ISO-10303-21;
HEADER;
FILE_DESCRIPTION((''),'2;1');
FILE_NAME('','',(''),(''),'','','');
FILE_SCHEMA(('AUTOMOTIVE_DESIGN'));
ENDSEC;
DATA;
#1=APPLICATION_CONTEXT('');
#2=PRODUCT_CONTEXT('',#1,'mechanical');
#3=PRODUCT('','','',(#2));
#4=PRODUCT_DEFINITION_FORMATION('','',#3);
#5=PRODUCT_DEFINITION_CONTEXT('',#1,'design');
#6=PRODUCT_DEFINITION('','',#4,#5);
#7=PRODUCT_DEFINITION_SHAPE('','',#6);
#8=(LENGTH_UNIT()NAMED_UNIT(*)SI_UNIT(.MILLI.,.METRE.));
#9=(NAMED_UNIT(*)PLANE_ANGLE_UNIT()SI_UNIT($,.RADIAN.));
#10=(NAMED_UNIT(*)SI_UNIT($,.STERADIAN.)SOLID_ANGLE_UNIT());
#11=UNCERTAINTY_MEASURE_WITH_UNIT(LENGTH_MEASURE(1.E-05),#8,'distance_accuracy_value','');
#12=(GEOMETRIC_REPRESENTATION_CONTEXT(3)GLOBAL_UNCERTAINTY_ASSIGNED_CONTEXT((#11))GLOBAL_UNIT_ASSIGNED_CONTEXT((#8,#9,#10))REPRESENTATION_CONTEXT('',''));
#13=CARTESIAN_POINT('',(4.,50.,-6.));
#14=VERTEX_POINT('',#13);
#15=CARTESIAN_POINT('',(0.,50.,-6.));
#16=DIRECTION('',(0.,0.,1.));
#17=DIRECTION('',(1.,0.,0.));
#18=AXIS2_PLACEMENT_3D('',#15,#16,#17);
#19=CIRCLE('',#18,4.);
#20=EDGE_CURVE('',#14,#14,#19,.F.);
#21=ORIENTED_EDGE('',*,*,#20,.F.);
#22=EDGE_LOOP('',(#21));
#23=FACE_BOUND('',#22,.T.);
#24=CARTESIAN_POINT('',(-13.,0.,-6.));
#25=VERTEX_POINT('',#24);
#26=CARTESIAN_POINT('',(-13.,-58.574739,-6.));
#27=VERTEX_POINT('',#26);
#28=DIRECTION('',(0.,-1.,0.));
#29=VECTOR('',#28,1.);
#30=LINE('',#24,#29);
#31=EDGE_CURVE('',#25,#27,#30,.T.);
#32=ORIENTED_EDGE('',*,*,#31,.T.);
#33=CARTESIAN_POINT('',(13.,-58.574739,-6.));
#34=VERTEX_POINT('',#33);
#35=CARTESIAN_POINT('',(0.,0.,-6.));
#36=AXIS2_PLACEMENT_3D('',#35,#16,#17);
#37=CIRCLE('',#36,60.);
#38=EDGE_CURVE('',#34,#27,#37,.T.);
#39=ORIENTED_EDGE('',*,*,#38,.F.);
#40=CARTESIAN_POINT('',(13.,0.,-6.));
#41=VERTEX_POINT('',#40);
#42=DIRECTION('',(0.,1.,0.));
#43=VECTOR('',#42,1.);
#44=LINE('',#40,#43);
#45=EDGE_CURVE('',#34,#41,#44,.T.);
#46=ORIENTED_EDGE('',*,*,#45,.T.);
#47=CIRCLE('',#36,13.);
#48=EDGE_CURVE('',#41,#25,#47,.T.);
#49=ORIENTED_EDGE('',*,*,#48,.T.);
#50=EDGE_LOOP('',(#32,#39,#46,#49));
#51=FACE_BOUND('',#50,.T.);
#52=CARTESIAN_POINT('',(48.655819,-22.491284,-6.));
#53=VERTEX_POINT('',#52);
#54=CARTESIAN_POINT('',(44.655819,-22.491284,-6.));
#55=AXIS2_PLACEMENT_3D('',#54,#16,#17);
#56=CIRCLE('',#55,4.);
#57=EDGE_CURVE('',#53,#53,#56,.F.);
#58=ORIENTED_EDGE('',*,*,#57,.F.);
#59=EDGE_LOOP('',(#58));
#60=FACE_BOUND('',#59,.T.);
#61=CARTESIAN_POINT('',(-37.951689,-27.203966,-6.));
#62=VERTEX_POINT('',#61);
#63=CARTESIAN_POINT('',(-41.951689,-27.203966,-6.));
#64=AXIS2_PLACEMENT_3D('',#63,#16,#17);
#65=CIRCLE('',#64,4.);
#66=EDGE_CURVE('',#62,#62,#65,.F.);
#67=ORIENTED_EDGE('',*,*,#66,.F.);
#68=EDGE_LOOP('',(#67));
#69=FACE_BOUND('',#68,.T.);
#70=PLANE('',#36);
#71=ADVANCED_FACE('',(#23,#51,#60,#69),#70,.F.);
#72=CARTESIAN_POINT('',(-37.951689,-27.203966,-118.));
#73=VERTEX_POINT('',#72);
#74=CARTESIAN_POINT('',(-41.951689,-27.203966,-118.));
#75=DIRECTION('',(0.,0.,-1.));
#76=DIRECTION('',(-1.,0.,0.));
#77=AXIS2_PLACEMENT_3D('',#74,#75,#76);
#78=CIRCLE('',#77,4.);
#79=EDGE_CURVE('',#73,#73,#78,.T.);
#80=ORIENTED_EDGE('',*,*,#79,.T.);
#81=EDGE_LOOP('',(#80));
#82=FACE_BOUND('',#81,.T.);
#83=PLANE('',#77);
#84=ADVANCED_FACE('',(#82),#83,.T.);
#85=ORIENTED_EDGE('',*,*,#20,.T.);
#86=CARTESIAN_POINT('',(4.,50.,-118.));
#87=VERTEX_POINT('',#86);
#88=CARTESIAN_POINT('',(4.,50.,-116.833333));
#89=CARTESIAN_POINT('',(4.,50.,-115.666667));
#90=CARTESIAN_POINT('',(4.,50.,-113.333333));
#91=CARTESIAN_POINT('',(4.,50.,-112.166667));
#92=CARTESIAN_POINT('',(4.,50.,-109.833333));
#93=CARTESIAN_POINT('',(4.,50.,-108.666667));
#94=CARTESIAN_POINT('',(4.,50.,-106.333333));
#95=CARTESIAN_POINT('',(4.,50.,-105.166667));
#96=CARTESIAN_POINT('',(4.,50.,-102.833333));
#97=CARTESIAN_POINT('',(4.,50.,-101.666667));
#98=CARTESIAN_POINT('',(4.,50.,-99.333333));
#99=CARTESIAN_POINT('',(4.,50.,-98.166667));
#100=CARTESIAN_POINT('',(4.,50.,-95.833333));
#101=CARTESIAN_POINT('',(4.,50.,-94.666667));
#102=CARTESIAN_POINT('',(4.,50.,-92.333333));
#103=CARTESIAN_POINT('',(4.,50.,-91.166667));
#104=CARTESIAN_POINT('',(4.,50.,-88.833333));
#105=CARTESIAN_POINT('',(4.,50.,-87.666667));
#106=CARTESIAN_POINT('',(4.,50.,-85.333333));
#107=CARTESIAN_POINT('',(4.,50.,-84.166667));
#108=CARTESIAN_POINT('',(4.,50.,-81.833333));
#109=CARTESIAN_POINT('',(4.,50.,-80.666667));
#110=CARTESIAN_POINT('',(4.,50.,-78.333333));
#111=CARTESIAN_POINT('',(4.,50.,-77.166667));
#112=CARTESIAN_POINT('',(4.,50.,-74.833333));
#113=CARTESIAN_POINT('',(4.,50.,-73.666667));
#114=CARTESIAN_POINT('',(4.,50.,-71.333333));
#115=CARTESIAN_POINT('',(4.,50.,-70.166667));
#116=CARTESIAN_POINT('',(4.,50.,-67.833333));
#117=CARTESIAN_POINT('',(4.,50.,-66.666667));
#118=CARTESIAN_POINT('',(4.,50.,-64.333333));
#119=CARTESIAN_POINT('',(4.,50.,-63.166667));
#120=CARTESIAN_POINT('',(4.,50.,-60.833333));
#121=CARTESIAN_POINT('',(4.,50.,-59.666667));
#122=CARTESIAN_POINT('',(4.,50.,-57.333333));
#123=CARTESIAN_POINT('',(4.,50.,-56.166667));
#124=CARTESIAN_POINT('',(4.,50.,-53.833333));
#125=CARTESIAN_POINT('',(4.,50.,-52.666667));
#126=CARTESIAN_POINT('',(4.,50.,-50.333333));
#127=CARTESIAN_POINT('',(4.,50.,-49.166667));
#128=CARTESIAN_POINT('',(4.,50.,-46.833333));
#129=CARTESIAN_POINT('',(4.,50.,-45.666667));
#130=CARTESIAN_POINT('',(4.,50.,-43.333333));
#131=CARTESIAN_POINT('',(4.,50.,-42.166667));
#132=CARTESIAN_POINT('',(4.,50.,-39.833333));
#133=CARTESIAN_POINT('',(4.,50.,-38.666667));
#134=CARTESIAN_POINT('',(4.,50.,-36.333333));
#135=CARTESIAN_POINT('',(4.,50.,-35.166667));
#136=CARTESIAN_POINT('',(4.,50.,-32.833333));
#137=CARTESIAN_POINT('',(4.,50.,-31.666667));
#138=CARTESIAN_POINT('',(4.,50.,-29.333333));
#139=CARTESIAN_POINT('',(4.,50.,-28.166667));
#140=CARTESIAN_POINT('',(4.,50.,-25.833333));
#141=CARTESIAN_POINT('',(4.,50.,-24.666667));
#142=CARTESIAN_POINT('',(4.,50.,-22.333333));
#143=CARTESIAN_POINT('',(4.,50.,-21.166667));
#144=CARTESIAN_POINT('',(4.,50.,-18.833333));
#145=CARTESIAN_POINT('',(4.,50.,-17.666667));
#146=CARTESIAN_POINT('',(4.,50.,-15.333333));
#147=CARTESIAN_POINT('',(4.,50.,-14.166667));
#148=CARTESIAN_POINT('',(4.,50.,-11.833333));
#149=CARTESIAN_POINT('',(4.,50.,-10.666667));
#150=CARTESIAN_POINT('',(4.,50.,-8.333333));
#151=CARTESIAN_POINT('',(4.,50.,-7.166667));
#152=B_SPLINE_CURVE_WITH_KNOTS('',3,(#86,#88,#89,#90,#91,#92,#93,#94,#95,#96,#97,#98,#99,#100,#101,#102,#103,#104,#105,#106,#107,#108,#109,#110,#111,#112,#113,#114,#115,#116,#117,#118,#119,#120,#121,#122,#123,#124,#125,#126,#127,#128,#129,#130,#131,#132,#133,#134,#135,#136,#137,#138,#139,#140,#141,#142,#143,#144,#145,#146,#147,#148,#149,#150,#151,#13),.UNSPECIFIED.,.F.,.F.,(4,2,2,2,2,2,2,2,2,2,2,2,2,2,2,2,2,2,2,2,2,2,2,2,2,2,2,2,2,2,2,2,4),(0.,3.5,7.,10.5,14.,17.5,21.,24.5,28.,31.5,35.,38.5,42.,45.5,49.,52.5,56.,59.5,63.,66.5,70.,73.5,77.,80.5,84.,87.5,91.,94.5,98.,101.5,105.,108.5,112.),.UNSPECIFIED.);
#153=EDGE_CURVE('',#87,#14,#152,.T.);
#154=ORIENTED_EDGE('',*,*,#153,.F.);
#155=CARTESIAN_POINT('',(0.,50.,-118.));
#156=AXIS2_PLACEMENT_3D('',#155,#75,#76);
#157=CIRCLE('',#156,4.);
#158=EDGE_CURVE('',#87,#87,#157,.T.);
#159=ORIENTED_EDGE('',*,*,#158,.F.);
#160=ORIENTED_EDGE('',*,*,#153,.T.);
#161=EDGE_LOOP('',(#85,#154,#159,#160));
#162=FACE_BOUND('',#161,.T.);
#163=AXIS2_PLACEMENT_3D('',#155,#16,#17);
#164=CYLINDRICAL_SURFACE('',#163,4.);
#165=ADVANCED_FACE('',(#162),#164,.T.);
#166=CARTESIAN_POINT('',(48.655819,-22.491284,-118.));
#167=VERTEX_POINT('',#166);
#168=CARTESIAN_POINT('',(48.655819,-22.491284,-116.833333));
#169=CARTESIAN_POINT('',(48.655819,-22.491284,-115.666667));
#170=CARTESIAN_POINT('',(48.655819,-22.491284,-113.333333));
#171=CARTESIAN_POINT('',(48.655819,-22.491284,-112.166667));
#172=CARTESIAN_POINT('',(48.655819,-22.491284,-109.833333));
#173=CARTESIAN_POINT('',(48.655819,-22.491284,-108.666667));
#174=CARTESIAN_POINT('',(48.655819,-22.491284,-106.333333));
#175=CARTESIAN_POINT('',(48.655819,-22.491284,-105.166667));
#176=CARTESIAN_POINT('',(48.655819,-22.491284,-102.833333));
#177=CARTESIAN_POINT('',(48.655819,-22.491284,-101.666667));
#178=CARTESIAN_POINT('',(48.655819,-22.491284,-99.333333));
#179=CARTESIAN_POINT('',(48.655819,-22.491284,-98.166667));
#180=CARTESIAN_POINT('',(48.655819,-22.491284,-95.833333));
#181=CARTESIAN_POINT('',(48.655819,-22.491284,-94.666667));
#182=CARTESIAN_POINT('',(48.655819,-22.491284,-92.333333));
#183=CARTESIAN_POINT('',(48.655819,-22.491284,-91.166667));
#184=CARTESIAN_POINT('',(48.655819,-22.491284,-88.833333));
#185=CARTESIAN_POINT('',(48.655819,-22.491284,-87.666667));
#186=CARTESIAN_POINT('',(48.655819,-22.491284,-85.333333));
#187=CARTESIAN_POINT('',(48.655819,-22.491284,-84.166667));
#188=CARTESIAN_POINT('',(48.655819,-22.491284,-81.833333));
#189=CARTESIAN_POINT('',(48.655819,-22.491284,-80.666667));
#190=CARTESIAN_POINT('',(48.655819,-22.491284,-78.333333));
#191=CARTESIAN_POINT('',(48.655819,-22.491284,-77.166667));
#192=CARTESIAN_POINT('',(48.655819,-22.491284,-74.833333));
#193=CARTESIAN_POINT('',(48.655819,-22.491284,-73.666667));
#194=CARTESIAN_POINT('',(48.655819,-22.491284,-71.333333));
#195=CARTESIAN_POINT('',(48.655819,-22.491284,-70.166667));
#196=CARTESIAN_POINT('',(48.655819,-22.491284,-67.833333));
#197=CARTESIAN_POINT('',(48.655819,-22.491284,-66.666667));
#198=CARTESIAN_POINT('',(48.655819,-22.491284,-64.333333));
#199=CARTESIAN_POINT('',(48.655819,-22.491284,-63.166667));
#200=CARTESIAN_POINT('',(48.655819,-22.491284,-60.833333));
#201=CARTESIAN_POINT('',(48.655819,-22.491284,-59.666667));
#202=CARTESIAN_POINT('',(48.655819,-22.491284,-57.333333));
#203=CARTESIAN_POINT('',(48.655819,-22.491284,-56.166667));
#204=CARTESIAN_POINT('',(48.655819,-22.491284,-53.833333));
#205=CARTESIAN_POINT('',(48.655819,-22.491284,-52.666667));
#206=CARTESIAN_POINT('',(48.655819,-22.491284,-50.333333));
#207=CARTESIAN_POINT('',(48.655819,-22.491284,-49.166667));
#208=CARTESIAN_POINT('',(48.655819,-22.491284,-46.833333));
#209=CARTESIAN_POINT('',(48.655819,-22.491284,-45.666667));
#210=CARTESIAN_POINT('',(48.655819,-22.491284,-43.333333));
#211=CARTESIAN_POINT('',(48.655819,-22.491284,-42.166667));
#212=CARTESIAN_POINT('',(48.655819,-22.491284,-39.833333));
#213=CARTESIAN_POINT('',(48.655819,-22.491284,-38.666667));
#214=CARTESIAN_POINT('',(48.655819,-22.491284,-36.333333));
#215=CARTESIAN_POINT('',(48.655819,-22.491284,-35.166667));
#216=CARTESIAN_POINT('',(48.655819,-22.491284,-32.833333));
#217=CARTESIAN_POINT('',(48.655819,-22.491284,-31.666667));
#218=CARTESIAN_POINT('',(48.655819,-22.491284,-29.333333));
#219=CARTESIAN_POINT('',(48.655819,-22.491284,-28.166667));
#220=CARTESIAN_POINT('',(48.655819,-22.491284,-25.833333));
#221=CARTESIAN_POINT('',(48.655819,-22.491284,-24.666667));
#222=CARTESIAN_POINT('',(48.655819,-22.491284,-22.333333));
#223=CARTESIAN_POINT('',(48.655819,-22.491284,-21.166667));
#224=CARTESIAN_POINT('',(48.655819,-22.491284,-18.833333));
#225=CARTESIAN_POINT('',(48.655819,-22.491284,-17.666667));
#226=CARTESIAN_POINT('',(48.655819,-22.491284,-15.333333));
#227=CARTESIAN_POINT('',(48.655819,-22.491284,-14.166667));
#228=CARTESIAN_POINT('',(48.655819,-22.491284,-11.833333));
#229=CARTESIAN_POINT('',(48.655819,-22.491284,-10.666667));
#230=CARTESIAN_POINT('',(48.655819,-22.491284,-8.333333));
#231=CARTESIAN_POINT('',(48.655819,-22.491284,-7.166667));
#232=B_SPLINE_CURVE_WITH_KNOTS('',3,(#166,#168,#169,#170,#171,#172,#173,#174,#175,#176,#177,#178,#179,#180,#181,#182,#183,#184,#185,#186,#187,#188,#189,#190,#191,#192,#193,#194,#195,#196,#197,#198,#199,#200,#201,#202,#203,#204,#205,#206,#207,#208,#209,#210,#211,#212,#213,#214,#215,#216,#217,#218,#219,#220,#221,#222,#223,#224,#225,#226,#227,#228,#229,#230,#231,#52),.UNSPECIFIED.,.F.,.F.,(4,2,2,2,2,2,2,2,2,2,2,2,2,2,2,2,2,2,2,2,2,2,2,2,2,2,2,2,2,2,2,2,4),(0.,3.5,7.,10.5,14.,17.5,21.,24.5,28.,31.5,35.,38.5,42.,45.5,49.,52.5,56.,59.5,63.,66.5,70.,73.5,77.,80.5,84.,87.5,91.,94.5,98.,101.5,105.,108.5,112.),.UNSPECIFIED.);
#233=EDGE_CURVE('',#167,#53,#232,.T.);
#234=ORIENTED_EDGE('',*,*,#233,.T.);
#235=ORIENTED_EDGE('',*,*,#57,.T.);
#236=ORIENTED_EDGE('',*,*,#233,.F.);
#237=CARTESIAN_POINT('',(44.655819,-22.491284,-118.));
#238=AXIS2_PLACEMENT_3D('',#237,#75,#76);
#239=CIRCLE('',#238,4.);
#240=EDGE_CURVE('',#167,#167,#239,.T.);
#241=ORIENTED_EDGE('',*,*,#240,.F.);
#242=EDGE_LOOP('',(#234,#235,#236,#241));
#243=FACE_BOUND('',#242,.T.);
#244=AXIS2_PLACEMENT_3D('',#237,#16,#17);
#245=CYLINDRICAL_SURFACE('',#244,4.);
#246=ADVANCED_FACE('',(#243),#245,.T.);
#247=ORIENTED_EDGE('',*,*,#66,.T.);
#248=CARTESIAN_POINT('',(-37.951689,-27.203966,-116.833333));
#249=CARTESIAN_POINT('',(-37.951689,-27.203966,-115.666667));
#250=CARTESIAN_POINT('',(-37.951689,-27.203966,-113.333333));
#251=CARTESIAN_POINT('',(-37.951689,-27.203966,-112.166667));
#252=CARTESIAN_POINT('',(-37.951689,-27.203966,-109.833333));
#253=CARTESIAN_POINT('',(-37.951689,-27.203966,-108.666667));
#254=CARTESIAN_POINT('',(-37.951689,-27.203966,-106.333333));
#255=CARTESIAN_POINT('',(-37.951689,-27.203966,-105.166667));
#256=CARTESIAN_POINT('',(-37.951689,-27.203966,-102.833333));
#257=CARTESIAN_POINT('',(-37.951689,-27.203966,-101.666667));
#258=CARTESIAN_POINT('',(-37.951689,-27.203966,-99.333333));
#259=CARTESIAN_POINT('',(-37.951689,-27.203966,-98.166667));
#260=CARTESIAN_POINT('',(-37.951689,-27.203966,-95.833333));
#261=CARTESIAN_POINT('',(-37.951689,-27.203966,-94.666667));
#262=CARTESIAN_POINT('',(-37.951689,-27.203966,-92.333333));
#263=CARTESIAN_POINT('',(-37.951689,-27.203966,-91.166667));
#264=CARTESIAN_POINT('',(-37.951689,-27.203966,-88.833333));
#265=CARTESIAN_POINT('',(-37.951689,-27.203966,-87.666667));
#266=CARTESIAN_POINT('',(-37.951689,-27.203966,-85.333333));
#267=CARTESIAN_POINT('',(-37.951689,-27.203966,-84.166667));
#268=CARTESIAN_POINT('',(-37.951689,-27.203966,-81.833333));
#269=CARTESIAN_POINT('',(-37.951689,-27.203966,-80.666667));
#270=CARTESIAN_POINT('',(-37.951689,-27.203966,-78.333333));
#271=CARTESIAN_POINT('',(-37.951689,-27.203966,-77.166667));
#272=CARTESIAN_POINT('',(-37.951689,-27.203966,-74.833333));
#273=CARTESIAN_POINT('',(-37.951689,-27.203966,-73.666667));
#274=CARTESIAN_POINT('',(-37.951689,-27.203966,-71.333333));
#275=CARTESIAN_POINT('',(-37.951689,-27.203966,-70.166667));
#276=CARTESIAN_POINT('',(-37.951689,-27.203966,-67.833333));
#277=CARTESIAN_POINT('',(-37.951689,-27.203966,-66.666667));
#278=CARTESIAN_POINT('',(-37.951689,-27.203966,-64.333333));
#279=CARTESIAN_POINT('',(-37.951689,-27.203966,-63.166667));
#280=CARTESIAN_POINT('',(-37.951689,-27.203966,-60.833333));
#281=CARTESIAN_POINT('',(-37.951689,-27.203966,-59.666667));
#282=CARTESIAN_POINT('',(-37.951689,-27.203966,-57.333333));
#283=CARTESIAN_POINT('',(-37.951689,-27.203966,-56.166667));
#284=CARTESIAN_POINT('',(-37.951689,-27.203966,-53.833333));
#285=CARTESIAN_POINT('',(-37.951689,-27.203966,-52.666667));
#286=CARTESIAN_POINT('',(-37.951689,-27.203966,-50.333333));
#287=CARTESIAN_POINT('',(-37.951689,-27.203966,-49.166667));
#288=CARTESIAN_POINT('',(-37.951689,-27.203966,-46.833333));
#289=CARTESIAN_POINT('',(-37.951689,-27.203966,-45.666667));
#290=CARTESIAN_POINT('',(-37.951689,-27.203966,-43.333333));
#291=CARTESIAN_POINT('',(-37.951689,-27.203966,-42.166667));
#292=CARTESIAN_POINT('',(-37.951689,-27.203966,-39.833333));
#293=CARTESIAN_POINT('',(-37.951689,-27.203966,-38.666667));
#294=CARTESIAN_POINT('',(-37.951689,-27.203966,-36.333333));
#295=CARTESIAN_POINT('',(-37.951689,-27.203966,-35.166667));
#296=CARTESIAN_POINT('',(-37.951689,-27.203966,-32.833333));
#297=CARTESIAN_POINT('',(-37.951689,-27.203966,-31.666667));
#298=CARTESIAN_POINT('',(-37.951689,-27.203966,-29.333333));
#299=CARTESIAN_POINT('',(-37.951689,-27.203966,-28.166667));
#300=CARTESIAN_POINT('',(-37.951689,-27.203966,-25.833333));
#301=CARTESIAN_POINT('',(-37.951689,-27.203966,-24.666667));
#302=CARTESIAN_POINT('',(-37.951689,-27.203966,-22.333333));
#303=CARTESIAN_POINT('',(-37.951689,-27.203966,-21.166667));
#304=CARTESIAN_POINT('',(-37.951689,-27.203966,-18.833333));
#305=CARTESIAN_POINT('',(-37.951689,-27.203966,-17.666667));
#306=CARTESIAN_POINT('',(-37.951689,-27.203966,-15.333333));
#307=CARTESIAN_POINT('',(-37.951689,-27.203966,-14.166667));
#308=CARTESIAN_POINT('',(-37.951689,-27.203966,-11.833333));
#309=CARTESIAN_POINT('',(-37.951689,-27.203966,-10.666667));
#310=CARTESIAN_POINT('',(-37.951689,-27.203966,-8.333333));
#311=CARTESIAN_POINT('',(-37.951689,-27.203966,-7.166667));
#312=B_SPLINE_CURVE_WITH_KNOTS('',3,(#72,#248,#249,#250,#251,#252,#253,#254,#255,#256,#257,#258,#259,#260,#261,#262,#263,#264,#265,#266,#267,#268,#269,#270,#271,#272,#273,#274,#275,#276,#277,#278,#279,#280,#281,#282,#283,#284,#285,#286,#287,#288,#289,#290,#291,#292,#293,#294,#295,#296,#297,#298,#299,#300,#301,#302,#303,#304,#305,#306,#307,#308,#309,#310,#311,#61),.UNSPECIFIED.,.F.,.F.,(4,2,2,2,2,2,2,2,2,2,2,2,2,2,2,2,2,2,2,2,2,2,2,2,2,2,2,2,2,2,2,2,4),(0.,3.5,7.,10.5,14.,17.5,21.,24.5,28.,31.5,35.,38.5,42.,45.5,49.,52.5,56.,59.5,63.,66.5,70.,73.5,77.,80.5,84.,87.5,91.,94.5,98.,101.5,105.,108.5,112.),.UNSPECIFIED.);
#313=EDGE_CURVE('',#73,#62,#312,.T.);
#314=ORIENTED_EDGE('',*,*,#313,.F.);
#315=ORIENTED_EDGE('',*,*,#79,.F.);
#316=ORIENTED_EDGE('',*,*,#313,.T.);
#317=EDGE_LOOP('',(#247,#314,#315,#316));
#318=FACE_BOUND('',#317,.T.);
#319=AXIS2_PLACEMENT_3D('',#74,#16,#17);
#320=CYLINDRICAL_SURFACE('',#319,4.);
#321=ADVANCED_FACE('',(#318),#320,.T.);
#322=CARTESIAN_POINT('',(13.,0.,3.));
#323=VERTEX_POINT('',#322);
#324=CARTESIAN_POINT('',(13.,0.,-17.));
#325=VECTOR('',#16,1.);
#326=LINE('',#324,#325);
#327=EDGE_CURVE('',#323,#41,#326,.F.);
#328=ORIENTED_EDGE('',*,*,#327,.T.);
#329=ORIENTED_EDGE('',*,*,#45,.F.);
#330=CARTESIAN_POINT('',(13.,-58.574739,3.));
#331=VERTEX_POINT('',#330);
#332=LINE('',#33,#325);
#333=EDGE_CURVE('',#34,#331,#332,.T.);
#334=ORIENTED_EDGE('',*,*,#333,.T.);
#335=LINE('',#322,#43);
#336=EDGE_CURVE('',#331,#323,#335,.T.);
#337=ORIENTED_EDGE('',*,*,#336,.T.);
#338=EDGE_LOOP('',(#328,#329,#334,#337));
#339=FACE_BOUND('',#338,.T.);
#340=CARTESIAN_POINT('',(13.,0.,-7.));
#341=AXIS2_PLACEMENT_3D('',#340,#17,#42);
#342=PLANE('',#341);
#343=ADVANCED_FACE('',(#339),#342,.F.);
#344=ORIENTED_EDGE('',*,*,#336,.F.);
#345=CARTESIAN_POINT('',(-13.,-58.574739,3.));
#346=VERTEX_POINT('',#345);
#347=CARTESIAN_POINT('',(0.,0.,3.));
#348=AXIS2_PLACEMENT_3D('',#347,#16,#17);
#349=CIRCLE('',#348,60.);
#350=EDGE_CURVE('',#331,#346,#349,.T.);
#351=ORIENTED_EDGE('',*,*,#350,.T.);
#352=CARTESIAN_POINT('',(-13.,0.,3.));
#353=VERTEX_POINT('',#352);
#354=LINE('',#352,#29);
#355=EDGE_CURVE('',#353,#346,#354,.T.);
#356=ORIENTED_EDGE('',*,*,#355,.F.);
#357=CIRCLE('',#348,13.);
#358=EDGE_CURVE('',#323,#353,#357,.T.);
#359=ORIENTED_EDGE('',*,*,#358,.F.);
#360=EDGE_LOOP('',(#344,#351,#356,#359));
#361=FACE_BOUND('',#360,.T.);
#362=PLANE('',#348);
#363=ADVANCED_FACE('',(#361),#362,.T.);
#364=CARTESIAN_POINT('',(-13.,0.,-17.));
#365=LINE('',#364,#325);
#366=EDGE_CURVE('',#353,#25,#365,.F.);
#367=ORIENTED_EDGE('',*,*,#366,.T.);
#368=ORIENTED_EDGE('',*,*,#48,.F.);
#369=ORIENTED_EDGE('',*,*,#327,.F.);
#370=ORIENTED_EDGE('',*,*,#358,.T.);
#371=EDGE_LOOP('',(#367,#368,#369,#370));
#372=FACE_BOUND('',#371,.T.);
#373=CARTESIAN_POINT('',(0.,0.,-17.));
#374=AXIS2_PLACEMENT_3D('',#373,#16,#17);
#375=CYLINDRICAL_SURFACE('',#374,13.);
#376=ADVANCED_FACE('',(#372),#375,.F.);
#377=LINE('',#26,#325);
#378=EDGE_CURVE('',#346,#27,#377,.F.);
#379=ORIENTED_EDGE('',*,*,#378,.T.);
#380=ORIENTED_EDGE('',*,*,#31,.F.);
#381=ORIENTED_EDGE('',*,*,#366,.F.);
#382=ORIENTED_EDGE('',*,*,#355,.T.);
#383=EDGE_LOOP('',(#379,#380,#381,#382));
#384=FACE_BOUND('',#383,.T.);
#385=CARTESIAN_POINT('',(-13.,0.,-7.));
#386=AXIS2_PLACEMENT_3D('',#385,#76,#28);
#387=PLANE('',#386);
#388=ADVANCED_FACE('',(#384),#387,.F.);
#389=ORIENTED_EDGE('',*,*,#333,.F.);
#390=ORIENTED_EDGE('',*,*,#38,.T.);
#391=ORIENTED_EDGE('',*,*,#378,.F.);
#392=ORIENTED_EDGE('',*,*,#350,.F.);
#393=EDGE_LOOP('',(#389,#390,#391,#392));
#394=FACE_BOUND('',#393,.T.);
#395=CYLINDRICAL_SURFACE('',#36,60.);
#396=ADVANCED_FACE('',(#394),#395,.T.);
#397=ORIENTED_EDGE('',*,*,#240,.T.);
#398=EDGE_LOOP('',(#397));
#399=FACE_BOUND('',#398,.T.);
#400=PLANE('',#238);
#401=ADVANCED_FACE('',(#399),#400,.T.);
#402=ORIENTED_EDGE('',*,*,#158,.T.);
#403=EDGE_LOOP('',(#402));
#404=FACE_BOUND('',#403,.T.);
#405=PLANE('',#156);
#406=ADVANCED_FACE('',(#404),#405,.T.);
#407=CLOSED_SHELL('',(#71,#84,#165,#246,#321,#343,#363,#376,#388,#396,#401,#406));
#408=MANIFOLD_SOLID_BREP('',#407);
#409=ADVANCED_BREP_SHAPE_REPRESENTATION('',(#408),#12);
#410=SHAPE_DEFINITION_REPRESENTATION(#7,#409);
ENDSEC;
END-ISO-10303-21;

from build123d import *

# Parameters (mm, degrees)
EXTRUDE_1_DEPTH      = 3
EXTRUDE_1_DEPTH_BACK = 6
SKETCH_2_R           = 60
SKETCH_5_R           = 4
EXTRUDE_2_DEPTH      = 112
SKETCH_6_R           = 4
EXTRUDE_3_DEPTH      = 112
SKETCH_7_R           = 13
CUT_EXTRUDE_2_DEPTH  = 20
SKETCH_14_W          = 26
SKETCH_14_H          = 65
CUT_EXTRUDE_3_DEPTH  = 10


with BuildPart() as part:
    # 草图2 → 凸台-拉伸1 (new, two sides: drawn at the far end of the back side and taken through both)
    with BuildSketch(Plane.XY.offset(-EXTRUDE_1_DEPTH_BACK)):
        Circle(SKETCH_2_R)
    extrude(amount=EXTRUDE_1_DEPTH + EXTRUDE_1_DEPTH_BACK)

    # 草图5 → 凸台-拉伸2 (add)
    with BuildSketch(Plane(origin=(0, 0, -6), x_dir=(-1, 0, 0), z_dir=(0, 0, -1))):
        with Locations(Location((0, 50, 0), (0, 0, 180))):
            Circle(SKETCH_5_R)
    extrude(amount=EXTRUDE_2_DEPTH)

    # 草图6 → 凸台-拉伸3 (add)
    with BuildSketch(Plane(origin=(0, 0, -6), x_dir=(-1, 0, 0), z_dir=(0, 0, -1))):
        with Locations(Location((-44.655818583, -22.491284238, 0), (0, 0, 180))):
            Circle(SKETCH_6_R)
        with Locations(Location((41.95168902, -27.203966409, 0), (0, 0, 180))):
            Circle(SKETCH_6_R)
    extrude(amount=EXTRUDE_3_DEPTH)

    # 草图7 → 切除-拉伸2 (cut)
    with BuildSketch(Plane.XY.offset(3)):
        Circle(SKETCH_7_R)
    extrude(amount=-CUT_EXTRUDE_2_DEPTH, mode=Mode.SUBTRACT)

    # 草图14 → 切除-拉伸3 (cut)
    with BuildSketch(Plane.XY.offset(3)):
        with Locations((0, -32.5)):
            Rectangle(SKETCH_14_W, SKETCH_14_H)
    extrude(amount=-CUT_EXTRUDE_3_DEPTH, mode=Mode.SUBTRACT)


solid = part.part
